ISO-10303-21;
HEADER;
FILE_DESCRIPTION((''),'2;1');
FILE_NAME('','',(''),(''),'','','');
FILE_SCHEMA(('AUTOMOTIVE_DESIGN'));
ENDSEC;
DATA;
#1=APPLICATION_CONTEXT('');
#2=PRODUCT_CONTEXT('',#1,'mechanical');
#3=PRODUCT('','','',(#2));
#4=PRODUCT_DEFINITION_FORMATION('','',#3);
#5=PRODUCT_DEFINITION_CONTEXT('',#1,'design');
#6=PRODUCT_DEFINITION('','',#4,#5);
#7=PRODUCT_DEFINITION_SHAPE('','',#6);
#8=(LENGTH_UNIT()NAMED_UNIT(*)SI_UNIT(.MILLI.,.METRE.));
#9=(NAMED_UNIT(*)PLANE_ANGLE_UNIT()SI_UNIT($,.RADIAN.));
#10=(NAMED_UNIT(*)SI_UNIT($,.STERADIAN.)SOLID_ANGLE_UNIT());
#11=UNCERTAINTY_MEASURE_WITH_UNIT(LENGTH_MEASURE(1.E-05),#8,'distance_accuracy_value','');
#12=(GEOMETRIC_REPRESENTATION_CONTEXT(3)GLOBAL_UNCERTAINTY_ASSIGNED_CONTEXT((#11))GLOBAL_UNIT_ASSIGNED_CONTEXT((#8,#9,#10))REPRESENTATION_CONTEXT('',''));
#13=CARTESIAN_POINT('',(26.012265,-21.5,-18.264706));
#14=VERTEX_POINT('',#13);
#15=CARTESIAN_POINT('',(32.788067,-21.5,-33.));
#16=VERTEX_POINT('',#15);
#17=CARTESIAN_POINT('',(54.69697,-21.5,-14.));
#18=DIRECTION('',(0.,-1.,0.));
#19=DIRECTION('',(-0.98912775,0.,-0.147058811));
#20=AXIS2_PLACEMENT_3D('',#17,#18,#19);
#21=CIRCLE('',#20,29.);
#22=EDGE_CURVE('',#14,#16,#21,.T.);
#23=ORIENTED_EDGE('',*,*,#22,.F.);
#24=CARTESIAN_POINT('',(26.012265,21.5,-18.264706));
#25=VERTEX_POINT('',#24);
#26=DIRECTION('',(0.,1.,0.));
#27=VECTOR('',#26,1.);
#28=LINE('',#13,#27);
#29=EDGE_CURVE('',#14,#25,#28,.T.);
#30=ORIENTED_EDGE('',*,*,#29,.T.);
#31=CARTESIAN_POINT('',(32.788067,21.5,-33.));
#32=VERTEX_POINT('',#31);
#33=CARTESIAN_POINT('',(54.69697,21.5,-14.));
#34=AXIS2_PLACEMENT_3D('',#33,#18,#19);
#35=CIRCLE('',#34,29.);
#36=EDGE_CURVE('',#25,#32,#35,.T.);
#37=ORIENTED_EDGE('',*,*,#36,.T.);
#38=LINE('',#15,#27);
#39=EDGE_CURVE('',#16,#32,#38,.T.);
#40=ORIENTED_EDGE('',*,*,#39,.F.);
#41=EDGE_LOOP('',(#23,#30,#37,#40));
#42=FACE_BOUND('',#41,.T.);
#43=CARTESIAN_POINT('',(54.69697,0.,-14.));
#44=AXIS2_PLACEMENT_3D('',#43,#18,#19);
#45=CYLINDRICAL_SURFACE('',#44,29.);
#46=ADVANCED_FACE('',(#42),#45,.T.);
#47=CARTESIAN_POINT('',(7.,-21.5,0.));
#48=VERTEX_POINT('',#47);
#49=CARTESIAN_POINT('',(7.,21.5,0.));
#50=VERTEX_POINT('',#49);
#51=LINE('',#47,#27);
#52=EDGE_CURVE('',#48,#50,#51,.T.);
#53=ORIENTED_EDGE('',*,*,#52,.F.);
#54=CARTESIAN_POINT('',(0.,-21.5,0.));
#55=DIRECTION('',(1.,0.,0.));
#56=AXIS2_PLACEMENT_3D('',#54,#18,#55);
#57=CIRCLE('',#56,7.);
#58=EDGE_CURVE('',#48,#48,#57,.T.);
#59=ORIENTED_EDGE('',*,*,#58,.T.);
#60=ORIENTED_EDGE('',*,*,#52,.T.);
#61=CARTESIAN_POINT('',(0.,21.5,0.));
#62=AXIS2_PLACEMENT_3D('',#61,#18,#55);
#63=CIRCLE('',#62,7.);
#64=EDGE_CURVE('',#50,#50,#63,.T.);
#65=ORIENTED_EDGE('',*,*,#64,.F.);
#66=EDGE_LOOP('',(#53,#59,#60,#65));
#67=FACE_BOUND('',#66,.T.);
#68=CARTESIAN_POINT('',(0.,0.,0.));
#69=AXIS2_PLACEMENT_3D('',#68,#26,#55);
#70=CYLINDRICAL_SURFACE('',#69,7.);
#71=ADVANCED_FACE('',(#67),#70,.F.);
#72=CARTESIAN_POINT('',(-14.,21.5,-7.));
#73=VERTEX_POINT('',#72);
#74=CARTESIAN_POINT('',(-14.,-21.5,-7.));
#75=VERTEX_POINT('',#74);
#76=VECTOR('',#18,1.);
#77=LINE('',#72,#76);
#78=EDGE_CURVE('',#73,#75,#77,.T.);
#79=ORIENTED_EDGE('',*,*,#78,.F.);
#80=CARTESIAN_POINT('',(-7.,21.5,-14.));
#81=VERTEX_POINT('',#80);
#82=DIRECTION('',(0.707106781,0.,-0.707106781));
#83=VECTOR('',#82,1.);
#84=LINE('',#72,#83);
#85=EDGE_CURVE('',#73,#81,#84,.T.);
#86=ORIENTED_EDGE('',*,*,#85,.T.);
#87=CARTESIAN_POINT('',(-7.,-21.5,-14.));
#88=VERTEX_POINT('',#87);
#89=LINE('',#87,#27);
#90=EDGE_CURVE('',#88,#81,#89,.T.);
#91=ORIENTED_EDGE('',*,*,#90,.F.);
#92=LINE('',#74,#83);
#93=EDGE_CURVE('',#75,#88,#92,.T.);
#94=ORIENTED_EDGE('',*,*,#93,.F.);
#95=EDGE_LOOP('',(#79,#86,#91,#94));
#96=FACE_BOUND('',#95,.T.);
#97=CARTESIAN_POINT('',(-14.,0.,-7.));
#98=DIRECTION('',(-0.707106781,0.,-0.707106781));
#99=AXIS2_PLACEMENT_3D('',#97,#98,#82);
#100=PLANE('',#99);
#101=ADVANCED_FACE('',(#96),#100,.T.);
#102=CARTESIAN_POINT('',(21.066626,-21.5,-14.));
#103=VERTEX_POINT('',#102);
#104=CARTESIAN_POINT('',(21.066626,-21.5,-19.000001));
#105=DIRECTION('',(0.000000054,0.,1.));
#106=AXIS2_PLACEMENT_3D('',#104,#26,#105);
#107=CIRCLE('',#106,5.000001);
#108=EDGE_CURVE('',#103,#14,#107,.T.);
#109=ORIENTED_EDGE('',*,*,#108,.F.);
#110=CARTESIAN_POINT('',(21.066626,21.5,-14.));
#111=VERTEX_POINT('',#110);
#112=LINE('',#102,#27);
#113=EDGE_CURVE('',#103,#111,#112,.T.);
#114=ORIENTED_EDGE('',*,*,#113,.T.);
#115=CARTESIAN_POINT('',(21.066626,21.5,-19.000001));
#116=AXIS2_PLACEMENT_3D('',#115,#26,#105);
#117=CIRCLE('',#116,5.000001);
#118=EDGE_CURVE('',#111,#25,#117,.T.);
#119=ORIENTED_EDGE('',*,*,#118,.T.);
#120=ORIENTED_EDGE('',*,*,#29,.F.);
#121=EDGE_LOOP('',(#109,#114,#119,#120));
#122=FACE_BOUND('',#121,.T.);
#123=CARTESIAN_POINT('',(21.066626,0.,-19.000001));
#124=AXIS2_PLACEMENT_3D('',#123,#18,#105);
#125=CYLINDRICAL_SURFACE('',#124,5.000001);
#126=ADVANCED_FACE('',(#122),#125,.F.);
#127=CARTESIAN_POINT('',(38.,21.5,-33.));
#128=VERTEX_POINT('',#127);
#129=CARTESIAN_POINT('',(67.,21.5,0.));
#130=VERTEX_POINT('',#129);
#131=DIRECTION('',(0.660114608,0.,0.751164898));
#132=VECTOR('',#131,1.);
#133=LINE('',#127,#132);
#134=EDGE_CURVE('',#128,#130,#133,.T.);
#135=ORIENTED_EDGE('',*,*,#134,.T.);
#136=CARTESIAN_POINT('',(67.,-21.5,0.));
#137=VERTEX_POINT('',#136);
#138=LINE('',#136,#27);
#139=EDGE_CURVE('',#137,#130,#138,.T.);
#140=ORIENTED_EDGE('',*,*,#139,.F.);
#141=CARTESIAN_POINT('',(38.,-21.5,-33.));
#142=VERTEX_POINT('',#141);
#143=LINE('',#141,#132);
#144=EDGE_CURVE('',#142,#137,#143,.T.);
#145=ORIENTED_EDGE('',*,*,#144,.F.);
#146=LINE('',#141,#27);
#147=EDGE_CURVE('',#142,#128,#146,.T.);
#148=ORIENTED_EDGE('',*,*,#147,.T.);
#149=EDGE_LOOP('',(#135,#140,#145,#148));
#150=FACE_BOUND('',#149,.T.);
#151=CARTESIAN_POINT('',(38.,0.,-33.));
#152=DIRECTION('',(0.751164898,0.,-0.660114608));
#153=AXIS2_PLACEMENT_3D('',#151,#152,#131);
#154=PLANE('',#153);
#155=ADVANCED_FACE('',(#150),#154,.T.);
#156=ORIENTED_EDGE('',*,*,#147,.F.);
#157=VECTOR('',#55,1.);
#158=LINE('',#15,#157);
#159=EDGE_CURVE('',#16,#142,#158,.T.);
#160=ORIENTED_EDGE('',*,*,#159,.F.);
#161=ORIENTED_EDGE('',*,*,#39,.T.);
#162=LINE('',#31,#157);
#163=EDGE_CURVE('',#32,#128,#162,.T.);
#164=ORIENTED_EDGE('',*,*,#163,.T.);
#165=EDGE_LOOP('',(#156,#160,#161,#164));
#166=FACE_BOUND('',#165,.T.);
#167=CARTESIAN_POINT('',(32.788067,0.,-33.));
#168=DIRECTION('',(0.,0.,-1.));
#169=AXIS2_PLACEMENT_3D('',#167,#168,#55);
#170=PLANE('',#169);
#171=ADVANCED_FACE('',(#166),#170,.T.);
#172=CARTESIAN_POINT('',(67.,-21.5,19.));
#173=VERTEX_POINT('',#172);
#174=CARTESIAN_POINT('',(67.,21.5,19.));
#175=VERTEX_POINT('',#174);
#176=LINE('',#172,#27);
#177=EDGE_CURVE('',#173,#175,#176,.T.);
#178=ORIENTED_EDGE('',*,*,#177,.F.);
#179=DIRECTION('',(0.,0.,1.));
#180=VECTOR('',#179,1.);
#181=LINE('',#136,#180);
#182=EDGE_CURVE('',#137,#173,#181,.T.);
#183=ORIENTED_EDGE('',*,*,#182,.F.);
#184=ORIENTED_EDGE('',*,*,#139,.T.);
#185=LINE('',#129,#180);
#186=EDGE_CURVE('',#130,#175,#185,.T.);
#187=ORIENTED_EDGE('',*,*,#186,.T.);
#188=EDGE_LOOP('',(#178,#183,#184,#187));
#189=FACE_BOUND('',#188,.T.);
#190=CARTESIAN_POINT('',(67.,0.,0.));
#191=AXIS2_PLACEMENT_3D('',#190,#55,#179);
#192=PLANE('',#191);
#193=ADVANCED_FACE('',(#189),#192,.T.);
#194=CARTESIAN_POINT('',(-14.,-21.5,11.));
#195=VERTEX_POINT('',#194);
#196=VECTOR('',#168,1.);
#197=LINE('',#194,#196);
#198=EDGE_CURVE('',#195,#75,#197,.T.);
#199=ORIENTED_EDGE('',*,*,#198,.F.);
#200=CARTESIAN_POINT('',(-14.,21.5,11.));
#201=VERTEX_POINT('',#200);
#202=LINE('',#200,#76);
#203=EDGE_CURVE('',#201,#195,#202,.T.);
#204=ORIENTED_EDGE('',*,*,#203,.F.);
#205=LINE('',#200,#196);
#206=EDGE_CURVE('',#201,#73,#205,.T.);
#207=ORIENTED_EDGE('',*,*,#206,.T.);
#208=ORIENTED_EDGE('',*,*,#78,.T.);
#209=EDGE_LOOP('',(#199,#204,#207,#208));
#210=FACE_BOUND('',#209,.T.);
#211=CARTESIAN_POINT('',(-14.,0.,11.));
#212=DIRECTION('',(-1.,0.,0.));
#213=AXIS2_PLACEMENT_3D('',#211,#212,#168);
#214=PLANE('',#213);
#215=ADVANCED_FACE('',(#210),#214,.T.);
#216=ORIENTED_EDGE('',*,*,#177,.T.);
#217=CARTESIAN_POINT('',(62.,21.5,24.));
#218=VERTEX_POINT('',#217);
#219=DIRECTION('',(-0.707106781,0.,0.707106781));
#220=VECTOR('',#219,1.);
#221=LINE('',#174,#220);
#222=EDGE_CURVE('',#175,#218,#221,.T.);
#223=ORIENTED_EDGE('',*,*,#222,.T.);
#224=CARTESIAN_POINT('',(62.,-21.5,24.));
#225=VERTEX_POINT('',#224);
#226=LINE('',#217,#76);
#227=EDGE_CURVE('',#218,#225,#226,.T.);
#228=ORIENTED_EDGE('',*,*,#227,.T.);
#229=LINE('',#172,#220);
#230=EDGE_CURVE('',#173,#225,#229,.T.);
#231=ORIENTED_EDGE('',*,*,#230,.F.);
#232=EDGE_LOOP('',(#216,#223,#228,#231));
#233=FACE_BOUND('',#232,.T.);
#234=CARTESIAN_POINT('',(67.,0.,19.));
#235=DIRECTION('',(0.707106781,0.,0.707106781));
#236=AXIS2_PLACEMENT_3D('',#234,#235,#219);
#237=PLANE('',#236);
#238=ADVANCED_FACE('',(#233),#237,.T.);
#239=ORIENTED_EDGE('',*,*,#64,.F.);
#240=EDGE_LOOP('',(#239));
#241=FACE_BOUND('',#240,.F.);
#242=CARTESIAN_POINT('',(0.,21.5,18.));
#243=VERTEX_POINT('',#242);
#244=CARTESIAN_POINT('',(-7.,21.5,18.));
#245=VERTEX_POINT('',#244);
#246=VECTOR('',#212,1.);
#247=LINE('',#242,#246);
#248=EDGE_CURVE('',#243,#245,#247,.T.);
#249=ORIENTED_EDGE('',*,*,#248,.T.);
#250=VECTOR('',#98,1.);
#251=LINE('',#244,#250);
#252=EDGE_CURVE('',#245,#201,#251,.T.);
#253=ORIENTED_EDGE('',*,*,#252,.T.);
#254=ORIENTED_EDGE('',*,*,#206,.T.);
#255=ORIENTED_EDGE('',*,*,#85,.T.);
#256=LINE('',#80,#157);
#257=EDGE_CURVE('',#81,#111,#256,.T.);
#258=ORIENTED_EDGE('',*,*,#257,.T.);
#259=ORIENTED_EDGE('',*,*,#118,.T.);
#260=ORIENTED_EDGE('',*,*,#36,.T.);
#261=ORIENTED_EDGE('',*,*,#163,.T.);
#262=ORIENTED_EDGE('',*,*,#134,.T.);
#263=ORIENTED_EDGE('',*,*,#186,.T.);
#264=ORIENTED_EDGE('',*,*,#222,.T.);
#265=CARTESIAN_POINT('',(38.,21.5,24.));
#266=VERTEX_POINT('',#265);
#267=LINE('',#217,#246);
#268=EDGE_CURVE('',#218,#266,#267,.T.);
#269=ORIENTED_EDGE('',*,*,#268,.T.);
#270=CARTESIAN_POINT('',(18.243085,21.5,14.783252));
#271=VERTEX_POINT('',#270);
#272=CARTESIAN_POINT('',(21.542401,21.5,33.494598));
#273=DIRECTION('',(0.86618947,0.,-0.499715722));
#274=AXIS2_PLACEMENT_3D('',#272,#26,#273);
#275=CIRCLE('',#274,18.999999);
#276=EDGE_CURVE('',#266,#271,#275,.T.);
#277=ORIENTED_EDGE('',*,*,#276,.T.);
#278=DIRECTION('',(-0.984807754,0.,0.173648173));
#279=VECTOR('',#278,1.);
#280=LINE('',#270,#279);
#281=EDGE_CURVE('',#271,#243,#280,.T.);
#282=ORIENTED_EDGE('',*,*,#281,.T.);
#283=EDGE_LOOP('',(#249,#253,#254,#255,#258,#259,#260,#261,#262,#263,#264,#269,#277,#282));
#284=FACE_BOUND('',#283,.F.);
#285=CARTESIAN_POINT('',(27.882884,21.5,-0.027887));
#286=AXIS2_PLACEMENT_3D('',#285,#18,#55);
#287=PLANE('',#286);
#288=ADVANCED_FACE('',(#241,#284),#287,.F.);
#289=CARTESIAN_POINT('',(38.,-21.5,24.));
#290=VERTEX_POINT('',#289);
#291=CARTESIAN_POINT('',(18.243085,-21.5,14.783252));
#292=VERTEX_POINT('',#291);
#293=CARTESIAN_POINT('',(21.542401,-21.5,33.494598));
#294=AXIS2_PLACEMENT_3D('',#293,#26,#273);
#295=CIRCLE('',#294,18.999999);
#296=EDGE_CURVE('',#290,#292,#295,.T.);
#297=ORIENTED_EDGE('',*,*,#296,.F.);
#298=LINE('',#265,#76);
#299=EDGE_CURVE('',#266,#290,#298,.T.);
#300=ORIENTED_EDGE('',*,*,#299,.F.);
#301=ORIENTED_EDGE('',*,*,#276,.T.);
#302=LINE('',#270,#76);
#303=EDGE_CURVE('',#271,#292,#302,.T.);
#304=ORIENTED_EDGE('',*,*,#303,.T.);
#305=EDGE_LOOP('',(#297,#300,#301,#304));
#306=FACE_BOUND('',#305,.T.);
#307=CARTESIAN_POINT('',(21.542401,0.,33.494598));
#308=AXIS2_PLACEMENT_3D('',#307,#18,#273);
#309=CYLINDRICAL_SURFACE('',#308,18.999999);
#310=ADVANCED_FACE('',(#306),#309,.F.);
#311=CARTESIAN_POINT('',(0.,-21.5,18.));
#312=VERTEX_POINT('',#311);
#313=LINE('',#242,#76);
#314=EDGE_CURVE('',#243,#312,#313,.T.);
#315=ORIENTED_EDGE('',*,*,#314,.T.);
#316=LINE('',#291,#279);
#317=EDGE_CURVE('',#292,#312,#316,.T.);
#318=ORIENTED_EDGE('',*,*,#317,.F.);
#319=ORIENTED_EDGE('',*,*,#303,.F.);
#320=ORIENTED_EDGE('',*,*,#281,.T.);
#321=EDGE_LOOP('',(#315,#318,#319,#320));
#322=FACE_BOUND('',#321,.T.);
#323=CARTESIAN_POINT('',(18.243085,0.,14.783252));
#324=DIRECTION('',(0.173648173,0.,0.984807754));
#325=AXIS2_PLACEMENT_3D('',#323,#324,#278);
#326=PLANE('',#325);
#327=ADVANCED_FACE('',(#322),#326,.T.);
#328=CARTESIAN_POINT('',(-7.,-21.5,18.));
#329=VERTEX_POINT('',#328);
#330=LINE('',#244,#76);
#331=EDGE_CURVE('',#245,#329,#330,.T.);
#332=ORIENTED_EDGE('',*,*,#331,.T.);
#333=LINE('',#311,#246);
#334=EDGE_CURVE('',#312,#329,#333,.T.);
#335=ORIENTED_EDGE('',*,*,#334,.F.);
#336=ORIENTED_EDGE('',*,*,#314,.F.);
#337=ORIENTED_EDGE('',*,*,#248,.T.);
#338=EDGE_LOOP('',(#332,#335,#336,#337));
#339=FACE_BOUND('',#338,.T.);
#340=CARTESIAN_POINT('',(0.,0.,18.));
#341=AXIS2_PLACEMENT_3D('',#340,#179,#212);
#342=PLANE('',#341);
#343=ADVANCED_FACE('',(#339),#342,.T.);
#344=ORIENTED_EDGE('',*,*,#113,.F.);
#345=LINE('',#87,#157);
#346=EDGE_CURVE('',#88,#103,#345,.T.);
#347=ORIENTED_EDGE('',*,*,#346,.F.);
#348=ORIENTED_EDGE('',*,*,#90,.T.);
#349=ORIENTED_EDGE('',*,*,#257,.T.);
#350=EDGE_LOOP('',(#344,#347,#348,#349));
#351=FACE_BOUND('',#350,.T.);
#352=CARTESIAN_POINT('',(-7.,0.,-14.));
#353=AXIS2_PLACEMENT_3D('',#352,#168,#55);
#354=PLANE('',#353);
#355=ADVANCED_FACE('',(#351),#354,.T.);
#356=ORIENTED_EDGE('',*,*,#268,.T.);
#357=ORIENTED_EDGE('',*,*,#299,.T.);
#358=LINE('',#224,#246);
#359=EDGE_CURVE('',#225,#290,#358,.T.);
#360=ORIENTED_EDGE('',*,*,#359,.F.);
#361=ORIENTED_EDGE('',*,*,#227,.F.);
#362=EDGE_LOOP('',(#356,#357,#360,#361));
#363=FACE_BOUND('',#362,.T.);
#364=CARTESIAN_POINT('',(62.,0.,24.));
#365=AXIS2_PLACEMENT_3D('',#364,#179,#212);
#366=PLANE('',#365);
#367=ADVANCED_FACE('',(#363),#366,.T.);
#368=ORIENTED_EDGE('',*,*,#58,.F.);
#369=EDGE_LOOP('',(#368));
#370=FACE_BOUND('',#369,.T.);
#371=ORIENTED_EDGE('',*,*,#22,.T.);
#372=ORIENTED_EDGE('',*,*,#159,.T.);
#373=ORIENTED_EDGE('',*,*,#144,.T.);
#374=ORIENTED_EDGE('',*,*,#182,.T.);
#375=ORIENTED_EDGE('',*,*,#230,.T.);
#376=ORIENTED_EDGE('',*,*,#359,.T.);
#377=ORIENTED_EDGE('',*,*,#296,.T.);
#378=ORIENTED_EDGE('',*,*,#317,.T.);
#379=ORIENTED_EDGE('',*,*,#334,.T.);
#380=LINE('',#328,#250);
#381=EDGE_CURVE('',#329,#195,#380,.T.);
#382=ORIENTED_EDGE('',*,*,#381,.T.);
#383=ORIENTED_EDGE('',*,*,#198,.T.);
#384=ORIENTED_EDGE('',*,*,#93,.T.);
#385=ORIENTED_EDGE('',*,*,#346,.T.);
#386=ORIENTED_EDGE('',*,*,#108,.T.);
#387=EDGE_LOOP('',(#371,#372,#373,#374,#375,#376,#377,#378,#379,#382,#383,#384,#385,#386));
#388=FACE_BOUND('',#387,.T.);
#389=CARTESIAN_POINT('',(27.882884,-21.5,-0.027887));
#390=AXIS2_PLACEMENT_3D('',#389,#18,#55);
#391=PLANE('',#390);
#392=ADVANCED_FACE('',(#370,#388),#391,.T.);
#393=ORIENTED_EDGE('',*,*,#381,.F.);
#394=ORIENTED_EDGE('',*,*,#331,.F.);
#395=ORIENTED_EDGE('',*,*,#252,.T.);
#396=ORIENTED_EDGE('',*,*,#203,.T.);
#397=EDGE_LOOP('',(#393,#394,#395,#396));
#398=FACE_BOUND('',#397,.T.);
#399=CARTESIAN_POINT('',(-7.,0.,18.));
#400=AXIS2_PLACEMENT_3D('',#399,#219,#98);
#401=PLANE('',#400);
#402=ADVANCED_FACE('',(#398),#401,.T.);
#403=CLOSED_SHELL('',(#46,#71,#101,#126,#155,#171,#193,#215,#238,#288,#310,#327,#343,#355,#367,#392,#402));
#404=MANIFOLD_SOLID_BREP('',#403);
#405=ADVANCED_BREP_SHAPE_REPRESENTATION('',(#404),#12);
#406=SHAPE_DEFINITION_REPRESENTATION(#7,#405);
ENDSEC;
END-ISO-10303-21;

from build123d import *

# Parameters (mm, degrees)
F0_R     = 7
F1_DEPTH = 21.5


with BuildPart() as f1:
    # F0 (on Front) → F1 (new body, symmetric)
    with BuildSketch(Plane.XZ):
        with BuildLine():
            Line((67, 19), (62, 24))
            Line((62, 24), (38, 24))
            ThreePointArc((38, 24), (29.574973, 16.276069), (18.243085, 14.783252))
            Line((18.243085, 14.783252), (0, 18))
            Line((0, 18), (-7, 18))
            Line((-7, 18), (-14, 11))
            Line((-14, 11), (-14, -7))
            Line((-14, -7), (-7, -14))
            Line((-7, -14), (21.066626, -14))
            ThreePointArc((21.066626, -14), (24.331862, -15.213414), (26.012265, -18.264706))
            ThreePointArc((26.012265, -18.264706), (28.349095, -26.115672), (32.788067, -33))
            Line((32.788067, -33), (38, -33))
            Line((38, -33), (67, 0))
            Line((67, 0), (67, 19))
        make_face()
        Circle(F0_R, mode=Mode.SUBTRACT)
    extrude(amount=F1_DEPTH, both=True)


solid = f1.part
